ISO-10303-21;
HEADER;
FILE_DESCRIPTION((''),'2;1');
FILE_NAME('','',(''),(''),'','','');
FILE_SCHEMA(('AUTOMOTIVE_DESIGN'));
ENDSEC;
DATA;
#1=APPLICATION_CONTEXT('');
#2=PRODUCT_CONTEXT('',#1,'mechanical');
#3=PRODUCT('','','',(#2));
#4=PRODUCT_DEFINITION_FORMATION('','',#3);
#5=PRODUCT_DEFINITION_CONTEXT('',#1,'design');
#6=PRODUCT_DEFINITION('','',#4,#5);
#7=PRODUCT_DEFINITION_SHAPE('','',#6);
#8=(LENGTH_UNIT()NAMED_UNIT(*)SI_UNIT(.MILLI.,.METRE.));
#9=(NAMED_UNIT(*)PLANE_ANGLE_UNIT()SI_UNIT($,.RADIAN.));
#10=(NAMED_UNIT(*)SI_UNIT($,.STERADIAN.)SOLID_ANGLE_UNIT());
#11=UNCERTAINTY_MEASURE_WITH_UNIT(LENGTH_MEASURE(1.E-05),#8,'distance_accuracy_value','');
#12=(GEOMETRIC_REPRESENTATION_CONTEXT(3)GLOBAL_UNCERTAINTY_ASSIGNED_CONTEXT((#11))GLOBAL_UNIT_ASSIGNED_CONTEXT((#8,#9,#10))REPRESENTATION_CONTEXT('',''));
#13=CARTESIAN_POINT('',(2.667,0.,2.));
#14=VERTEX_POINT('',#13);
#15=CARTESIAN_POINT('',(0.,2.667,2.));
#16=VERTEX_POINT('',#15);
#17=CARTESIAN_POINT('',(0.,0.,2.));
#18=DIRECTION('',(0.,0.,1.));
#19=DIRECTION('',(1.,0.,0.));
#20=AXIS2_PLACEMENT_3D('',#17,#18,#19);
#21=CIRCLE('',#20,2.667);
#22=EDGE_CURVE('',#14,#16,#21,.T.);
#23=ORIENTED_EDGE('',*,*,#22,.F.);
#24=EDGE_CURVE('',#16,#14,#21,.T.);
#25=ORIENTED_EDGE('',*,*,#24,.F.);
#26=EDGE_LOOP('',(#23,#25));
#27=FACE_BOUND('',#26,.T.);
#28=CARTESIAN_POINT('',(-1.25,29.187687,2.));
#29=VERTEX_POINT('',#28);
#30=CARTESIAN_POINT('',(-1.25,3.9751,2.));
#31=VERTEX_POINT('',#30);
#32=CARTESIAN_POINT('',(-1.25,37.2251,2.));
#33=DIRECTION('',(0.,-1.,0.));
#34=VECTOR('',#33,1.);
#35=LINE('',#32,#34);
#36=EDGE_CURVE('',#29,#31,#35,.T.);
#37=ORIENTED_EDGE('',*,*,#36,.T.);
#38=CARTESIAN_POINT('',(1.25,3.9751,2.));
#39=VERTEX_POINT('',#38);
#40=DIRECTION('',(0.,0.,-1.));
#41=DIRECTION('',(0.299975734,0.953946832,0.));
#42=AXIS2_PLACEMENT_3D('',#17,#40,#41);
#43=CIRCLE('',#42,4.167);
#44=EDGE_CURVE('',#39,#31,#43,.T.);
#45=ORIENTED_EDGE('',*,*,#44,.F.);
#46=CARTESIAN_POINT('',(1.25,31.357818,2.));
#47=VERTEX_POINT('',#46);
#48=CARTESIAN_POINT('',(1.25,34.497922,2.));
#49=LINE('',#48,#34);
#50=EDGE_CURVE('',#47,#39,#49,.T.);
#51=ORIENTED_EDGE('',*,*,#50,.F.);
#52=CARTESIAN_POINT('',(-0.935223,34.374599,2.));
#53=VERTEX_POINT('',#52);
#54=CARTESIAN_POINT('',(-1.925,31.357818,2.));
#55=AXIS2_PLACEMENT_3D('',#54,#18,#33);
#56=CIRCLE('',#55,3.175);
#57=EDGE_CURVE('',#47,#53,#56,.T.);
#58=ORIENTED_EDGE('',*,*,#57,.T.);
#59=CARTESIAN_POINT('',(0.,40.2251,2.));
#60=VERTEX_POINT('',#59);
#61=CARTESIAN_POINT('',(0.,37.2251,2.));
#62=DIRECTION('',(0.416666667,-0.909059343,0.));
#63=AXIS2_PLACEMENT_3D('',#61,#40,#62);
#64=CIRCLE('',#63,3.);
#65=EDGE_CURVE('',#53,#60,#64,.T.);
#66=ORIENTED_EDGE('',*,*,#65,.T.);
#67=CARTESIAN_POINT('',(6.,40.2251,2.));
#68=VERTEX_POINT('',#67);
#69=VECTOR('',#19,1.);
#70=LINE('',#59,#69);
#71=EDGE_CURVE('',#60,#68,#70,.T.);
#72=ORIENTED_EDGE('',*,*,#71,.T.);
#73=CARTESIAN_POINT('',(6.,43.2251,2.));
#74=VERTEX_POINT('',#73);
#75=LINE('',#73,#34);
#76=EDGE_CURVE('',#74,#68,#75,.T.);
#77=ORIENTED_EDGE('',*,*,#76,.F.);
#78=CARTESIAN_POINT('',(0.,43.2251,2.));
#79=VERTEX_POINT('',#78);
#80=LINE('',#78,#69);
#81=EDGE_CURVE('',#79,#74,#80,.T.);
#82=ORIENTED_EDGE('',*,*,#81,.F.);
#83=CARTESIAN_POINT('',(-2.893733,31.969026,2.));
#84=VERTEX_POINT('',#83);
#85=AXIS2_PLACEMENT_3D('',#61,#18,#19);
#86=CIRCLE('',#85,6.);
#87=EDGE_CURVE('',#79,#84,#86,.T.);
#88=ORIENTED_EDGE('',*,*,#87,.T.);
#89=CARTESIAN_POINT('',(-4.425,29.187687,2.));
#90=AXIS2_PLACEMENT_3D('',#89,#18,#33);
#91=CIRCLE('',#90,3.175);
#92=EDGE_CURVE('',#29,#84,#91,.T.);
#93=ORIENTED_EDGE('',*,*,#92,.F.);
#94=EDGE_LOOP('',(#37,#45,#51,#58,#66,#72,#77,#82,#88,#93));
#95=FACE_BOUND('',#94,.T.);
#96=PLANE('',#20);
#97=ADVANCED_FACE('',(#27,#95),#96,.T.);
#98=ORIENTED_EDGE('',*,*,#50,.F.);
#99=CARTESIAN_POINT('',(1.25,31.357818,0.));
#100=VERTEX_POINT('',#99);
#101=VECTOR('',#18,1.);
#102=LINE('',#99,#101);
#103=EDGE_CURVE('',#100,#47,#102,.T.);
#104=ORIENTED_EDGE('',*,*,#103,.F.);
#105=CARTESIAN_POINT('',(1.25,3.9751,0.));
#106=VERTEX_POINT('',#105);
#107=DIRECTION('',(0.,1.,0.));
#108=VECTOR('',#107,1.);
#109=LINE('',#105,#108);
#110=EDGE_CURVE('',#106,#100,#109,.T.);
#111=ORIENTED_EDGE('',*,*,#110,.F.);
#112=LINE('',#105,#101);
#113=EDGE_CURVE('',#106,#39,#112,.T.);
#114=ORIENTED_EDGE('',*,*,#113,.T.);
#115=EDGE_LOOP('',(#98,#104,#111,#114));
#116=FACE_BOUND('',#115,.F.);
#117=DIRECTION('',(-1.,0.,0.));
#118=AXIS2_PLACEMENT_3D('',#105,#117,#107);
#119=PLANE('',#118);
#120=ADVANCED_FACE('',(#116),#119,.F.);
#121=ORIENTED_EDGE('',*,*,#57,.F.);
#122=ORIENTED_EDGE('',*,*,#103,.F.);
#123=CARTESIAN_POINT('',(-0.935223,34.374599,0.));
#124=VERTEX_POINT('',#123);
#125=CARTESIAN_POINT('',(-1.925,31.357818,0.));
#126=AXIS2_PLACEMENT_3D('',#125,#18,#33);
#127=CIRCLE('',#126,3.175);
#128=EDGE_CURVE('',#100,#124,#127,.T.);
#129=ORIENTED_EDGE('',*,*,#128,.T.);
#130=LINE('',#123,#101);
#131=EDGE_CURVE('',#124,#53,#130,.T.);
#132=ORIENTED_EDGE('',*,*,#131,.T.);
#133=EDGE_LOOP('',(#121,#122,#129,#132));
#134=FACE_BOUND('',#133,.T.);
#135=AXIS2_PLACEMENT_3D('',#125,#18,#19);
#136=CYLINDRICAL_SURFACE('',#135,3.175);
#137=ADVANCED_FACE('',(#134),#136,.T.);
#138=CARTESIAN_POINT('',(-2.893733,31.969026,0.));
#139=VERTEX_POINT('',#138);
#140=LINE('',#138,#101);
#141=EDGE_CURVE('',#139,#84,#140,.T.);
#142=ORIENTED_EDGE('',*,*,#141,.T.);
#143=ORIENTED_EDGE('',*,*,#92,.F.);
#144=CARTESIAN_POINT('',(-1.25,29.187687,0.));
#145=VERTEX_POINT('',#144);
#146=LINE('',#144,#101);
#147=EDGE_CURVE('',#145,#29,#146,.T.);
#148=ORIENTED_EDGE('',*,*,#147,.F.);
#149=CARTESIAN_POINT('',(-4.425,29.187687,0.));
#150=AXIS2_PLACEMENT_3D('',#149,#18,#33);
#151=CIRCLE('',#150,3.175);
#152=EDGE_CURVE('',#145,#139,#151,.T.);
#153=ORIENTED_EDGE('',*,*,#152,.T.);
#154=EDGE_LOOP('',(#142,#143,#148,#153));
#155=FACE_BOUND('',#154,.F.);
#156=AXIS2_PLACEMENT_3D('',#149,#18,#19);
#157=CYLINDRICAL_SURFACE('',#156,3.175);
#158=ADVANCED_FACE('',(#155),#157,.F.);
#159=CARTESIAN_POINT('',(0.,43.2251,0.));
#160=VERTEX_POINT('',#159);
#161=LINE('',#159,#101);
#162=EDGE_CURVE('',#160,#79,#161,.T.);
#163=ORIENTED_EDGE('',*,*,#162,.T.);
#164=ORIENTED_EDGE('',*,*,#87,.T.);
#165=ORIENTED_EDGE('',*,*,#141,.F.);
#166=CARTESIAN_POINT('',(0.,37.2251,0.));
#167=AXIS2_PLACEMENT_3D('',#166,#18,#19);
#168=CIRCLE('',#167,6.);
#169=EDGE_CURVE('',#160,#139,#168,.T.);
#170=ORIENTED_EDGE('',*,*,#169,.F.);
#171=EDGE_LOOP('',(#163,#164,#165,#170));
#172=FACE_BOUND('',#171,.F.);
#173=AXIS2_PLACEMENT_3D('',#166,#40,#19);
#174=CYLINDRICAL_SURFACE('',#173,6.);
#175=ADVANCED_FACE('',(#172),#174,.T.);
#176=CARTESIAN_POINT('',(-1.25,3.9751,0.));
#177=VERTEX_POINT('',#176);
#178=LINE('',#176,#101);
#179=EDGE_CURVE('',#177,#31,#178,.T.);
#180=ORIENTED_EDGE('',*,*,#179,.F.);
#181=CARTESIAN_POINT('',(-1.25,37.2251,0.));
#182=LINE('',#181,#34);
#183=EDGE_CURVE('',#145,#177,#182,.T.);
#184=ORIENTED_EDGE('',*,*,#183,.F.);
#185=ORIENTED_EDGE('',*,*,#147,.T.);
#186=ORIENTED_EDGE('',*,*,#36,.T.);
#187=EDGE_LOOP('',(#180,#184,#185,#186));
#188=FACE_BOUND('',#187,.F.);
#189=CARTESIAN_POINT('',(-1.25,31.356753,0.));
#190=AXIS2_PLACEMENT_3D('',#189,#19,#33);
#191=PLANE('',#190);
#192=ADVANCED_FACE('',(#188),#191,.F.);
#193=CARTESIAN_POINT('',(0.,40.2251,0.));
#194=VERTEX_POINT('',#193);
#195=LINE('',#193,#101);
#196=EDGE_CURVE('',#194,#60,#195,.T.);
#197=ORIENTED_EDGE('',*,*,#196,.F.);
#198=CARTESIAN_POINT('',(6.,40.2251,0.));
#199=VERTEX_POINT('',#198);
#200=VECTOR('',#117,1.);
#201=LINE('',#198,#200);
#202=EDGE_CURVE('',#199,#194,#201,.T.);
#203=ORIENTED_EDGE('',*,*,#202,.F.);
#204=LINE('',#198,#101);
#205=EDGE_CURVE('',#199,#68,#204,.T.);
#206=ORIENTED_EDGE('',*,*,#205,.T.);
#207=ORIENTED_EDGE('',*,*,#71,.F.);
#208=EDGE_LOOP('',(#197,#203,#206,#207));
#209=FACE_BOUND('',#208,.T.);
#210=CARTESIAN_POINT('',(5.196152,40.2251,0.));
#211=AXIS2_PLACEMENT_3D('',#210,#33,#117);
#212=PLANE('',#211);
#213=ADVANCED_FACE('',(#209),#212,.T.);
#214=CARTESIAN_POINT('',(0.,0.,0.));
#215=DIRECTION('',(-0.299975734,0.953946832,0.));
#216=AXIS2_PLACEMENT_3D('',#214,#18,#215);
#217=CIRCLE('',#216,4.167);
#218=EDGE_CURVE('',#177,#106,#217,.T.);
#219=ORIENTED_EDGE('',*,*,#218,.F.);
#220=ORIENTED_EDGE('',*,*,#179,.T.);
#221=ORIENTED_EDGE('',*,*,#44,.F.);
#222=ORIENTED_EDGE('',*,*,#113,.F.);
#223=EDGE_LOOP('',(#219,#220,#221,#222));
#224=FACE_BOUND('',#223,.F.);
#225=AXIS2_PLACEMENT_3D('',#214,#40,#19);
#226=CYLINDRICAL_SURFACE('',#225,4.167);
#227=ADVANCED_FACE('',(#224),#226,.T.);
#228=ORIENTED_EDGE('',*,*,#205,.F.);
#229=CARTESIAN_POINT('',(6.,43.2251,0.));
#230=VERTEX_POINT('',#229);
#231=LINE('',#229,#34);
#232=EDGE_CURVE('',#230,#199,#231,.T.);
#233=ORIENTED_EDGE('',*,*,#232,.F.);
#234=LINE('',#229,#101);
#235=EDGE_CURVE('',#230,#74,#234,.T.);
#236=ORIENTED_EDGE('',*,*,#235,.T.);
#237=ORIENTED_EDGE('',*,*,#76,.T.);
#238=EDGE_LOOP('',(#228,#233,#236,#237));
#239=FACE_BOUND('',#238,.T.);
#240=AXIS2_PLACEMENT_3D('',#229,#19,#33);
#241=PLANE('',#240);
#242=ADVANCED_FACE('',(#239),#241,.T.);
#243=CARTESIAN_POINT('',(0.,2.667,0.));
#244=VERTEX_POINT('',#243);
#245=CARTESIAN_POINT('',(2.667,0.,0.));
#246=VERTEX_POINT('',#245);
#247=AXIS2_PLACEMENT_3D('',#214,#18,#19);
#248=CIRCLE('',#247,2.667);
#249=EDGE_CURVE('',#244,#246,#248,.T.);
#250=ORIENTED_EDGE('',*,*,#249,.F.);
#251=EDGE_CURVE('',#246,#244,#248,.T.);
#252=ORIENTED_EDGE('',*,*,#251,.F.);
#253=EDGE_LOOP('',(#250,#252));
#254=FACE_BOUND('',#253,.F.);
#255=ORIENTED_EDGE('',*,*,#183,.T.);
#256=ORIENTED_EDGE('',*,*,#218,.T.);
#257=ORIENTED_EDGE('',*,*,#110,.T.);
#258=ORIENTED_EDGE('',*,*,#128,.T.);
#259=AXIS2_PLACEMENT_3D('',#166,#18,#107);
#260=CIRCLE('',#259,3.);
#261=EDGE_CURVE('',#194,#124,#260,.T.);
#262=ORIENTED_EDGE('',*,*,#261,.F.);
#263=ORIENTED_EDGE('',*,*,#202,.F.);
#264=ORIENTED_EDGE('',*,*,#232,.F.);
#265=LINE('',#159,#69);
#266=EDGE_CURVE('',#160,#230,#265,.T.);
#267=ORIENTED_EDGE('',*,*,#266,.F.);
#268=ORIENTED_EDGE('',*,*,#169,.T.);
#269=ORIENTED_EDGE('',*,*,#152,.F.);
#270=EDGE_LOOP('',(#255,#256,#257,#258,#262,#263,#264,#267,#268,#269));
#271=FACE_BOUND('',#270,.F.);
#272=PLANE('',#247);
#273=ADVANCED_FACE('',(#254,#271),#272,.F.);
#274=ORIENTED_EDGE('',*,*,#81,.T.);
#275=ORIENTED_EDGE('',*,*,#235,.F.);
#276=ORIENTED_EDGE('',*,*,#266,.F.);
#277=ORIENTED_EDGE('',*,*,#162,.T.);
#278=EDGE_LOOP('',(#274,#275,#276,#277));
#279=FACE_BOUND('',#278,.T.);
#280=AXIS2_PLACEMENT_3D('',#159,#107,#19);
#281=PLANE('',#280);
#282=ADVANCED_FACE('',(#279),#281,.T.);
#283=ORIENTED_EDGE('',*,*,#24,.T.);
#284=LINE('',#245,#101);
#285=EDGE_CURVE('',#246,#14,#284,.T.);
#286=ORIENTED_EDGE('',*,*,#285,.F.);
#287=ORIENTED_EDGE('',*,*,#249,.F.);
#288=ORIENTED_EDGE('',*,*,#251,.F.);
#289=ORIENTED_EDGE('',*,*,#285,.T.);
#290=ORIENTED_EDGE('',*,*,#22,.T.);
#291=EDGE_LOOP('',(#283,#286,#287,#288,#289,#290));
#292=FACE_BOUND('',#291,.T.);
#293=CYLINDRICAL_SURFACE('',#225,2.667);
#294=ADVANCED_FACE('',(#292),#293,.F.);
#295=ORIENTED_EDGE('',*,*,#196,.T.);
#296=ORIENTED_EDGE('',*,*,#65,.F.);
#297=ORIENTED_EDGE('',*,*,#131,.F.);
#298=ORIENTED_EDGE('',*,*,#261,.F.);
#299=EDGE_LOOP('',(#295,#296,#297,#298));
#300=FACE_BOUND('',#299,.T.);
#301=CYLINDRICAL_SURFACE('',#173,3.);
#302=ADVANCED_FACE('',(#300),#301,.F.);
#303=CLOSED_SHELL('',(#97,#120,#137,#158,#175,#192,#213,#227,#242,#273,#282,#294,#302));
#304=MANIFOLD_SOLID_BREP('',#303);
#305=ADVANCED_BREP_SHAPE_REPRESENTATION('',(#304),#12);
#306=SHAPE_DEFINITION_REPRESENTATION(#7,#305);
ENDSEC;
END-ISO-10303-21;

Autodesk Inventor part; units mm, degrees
ref_plane "YZ Plane" through (0, 0, 0) normal (1, 0, 0) x (0, 1, 0)
ref_plane "XZ Plane" through (0, 0, 0) normal (0, 1, 0) x (-1, 0, 0)
ref_plane "XY Plane" through (0, 0, 0) normal (0, 0, 1) x (1, 0, 0)
sketch "Sketch1" plane through (0, 0, 0) normal (0, 0, 1) x (1, 0, 0)
  circle A0 centre (0, 0) radius 2.667
  circle A1 centre (0, 0) radius 4.167
  line L0 (-1.25, 3.9751) -> (1.25, 3.9751)
  line L1 (1.25, 3.9751) -> (1.25, 37.2251)
  line L2 (1.25, 37.2251) -> (-1.25, 37.2251)
  line L3 (-1.25, 37.2251) -> (-1.25, 3.9751)
  line L4 (0, 0) -> (0, 14.9208)
  circle A2 centre (0, 37.2251) radius 3
  circle A3 centre (0, 37.2251) radius 6
  line L5 (0, 43.2251) -> (6, 43.2251)
  line L6 (6, 43.2251) -> (6, 40.2251)
  line L7 (6, 40.2251) -> (0, 40.2251)
  point P0 (-1.25, 31.3567)
  point P1 (1.25, 3.9751)
  point P2 (1.25, 3.9751)
  point P3 (1.25, 34.4979)
  dimension "d1" = 8.334
  dimension "d5" = 6
  dimension "d6" = 12
  dimension "d0" = 5.334
  dimension "d2" = 1.25
  dimension "d3" = 1.25
  dimension "d4" = 33.25
  dimension "d7" = 6
extrude "Extrusion1" add sketch "Sketch1" along normal blind 2 contours L0 A1 | L0 A1 L4 | L4 A1 L0 | L3 A3 L1 A1 | A3 L7 A2 L3 | L3 A2 L1 A3 | L5 L6 L7 A3
fillet "Fillet1" radius 3.175 2 edges at (1.25, 34.4979, 1) (-1.25, 31.3567, 1)
equation "\"d2\" = d3"
properties part number "Hook"
